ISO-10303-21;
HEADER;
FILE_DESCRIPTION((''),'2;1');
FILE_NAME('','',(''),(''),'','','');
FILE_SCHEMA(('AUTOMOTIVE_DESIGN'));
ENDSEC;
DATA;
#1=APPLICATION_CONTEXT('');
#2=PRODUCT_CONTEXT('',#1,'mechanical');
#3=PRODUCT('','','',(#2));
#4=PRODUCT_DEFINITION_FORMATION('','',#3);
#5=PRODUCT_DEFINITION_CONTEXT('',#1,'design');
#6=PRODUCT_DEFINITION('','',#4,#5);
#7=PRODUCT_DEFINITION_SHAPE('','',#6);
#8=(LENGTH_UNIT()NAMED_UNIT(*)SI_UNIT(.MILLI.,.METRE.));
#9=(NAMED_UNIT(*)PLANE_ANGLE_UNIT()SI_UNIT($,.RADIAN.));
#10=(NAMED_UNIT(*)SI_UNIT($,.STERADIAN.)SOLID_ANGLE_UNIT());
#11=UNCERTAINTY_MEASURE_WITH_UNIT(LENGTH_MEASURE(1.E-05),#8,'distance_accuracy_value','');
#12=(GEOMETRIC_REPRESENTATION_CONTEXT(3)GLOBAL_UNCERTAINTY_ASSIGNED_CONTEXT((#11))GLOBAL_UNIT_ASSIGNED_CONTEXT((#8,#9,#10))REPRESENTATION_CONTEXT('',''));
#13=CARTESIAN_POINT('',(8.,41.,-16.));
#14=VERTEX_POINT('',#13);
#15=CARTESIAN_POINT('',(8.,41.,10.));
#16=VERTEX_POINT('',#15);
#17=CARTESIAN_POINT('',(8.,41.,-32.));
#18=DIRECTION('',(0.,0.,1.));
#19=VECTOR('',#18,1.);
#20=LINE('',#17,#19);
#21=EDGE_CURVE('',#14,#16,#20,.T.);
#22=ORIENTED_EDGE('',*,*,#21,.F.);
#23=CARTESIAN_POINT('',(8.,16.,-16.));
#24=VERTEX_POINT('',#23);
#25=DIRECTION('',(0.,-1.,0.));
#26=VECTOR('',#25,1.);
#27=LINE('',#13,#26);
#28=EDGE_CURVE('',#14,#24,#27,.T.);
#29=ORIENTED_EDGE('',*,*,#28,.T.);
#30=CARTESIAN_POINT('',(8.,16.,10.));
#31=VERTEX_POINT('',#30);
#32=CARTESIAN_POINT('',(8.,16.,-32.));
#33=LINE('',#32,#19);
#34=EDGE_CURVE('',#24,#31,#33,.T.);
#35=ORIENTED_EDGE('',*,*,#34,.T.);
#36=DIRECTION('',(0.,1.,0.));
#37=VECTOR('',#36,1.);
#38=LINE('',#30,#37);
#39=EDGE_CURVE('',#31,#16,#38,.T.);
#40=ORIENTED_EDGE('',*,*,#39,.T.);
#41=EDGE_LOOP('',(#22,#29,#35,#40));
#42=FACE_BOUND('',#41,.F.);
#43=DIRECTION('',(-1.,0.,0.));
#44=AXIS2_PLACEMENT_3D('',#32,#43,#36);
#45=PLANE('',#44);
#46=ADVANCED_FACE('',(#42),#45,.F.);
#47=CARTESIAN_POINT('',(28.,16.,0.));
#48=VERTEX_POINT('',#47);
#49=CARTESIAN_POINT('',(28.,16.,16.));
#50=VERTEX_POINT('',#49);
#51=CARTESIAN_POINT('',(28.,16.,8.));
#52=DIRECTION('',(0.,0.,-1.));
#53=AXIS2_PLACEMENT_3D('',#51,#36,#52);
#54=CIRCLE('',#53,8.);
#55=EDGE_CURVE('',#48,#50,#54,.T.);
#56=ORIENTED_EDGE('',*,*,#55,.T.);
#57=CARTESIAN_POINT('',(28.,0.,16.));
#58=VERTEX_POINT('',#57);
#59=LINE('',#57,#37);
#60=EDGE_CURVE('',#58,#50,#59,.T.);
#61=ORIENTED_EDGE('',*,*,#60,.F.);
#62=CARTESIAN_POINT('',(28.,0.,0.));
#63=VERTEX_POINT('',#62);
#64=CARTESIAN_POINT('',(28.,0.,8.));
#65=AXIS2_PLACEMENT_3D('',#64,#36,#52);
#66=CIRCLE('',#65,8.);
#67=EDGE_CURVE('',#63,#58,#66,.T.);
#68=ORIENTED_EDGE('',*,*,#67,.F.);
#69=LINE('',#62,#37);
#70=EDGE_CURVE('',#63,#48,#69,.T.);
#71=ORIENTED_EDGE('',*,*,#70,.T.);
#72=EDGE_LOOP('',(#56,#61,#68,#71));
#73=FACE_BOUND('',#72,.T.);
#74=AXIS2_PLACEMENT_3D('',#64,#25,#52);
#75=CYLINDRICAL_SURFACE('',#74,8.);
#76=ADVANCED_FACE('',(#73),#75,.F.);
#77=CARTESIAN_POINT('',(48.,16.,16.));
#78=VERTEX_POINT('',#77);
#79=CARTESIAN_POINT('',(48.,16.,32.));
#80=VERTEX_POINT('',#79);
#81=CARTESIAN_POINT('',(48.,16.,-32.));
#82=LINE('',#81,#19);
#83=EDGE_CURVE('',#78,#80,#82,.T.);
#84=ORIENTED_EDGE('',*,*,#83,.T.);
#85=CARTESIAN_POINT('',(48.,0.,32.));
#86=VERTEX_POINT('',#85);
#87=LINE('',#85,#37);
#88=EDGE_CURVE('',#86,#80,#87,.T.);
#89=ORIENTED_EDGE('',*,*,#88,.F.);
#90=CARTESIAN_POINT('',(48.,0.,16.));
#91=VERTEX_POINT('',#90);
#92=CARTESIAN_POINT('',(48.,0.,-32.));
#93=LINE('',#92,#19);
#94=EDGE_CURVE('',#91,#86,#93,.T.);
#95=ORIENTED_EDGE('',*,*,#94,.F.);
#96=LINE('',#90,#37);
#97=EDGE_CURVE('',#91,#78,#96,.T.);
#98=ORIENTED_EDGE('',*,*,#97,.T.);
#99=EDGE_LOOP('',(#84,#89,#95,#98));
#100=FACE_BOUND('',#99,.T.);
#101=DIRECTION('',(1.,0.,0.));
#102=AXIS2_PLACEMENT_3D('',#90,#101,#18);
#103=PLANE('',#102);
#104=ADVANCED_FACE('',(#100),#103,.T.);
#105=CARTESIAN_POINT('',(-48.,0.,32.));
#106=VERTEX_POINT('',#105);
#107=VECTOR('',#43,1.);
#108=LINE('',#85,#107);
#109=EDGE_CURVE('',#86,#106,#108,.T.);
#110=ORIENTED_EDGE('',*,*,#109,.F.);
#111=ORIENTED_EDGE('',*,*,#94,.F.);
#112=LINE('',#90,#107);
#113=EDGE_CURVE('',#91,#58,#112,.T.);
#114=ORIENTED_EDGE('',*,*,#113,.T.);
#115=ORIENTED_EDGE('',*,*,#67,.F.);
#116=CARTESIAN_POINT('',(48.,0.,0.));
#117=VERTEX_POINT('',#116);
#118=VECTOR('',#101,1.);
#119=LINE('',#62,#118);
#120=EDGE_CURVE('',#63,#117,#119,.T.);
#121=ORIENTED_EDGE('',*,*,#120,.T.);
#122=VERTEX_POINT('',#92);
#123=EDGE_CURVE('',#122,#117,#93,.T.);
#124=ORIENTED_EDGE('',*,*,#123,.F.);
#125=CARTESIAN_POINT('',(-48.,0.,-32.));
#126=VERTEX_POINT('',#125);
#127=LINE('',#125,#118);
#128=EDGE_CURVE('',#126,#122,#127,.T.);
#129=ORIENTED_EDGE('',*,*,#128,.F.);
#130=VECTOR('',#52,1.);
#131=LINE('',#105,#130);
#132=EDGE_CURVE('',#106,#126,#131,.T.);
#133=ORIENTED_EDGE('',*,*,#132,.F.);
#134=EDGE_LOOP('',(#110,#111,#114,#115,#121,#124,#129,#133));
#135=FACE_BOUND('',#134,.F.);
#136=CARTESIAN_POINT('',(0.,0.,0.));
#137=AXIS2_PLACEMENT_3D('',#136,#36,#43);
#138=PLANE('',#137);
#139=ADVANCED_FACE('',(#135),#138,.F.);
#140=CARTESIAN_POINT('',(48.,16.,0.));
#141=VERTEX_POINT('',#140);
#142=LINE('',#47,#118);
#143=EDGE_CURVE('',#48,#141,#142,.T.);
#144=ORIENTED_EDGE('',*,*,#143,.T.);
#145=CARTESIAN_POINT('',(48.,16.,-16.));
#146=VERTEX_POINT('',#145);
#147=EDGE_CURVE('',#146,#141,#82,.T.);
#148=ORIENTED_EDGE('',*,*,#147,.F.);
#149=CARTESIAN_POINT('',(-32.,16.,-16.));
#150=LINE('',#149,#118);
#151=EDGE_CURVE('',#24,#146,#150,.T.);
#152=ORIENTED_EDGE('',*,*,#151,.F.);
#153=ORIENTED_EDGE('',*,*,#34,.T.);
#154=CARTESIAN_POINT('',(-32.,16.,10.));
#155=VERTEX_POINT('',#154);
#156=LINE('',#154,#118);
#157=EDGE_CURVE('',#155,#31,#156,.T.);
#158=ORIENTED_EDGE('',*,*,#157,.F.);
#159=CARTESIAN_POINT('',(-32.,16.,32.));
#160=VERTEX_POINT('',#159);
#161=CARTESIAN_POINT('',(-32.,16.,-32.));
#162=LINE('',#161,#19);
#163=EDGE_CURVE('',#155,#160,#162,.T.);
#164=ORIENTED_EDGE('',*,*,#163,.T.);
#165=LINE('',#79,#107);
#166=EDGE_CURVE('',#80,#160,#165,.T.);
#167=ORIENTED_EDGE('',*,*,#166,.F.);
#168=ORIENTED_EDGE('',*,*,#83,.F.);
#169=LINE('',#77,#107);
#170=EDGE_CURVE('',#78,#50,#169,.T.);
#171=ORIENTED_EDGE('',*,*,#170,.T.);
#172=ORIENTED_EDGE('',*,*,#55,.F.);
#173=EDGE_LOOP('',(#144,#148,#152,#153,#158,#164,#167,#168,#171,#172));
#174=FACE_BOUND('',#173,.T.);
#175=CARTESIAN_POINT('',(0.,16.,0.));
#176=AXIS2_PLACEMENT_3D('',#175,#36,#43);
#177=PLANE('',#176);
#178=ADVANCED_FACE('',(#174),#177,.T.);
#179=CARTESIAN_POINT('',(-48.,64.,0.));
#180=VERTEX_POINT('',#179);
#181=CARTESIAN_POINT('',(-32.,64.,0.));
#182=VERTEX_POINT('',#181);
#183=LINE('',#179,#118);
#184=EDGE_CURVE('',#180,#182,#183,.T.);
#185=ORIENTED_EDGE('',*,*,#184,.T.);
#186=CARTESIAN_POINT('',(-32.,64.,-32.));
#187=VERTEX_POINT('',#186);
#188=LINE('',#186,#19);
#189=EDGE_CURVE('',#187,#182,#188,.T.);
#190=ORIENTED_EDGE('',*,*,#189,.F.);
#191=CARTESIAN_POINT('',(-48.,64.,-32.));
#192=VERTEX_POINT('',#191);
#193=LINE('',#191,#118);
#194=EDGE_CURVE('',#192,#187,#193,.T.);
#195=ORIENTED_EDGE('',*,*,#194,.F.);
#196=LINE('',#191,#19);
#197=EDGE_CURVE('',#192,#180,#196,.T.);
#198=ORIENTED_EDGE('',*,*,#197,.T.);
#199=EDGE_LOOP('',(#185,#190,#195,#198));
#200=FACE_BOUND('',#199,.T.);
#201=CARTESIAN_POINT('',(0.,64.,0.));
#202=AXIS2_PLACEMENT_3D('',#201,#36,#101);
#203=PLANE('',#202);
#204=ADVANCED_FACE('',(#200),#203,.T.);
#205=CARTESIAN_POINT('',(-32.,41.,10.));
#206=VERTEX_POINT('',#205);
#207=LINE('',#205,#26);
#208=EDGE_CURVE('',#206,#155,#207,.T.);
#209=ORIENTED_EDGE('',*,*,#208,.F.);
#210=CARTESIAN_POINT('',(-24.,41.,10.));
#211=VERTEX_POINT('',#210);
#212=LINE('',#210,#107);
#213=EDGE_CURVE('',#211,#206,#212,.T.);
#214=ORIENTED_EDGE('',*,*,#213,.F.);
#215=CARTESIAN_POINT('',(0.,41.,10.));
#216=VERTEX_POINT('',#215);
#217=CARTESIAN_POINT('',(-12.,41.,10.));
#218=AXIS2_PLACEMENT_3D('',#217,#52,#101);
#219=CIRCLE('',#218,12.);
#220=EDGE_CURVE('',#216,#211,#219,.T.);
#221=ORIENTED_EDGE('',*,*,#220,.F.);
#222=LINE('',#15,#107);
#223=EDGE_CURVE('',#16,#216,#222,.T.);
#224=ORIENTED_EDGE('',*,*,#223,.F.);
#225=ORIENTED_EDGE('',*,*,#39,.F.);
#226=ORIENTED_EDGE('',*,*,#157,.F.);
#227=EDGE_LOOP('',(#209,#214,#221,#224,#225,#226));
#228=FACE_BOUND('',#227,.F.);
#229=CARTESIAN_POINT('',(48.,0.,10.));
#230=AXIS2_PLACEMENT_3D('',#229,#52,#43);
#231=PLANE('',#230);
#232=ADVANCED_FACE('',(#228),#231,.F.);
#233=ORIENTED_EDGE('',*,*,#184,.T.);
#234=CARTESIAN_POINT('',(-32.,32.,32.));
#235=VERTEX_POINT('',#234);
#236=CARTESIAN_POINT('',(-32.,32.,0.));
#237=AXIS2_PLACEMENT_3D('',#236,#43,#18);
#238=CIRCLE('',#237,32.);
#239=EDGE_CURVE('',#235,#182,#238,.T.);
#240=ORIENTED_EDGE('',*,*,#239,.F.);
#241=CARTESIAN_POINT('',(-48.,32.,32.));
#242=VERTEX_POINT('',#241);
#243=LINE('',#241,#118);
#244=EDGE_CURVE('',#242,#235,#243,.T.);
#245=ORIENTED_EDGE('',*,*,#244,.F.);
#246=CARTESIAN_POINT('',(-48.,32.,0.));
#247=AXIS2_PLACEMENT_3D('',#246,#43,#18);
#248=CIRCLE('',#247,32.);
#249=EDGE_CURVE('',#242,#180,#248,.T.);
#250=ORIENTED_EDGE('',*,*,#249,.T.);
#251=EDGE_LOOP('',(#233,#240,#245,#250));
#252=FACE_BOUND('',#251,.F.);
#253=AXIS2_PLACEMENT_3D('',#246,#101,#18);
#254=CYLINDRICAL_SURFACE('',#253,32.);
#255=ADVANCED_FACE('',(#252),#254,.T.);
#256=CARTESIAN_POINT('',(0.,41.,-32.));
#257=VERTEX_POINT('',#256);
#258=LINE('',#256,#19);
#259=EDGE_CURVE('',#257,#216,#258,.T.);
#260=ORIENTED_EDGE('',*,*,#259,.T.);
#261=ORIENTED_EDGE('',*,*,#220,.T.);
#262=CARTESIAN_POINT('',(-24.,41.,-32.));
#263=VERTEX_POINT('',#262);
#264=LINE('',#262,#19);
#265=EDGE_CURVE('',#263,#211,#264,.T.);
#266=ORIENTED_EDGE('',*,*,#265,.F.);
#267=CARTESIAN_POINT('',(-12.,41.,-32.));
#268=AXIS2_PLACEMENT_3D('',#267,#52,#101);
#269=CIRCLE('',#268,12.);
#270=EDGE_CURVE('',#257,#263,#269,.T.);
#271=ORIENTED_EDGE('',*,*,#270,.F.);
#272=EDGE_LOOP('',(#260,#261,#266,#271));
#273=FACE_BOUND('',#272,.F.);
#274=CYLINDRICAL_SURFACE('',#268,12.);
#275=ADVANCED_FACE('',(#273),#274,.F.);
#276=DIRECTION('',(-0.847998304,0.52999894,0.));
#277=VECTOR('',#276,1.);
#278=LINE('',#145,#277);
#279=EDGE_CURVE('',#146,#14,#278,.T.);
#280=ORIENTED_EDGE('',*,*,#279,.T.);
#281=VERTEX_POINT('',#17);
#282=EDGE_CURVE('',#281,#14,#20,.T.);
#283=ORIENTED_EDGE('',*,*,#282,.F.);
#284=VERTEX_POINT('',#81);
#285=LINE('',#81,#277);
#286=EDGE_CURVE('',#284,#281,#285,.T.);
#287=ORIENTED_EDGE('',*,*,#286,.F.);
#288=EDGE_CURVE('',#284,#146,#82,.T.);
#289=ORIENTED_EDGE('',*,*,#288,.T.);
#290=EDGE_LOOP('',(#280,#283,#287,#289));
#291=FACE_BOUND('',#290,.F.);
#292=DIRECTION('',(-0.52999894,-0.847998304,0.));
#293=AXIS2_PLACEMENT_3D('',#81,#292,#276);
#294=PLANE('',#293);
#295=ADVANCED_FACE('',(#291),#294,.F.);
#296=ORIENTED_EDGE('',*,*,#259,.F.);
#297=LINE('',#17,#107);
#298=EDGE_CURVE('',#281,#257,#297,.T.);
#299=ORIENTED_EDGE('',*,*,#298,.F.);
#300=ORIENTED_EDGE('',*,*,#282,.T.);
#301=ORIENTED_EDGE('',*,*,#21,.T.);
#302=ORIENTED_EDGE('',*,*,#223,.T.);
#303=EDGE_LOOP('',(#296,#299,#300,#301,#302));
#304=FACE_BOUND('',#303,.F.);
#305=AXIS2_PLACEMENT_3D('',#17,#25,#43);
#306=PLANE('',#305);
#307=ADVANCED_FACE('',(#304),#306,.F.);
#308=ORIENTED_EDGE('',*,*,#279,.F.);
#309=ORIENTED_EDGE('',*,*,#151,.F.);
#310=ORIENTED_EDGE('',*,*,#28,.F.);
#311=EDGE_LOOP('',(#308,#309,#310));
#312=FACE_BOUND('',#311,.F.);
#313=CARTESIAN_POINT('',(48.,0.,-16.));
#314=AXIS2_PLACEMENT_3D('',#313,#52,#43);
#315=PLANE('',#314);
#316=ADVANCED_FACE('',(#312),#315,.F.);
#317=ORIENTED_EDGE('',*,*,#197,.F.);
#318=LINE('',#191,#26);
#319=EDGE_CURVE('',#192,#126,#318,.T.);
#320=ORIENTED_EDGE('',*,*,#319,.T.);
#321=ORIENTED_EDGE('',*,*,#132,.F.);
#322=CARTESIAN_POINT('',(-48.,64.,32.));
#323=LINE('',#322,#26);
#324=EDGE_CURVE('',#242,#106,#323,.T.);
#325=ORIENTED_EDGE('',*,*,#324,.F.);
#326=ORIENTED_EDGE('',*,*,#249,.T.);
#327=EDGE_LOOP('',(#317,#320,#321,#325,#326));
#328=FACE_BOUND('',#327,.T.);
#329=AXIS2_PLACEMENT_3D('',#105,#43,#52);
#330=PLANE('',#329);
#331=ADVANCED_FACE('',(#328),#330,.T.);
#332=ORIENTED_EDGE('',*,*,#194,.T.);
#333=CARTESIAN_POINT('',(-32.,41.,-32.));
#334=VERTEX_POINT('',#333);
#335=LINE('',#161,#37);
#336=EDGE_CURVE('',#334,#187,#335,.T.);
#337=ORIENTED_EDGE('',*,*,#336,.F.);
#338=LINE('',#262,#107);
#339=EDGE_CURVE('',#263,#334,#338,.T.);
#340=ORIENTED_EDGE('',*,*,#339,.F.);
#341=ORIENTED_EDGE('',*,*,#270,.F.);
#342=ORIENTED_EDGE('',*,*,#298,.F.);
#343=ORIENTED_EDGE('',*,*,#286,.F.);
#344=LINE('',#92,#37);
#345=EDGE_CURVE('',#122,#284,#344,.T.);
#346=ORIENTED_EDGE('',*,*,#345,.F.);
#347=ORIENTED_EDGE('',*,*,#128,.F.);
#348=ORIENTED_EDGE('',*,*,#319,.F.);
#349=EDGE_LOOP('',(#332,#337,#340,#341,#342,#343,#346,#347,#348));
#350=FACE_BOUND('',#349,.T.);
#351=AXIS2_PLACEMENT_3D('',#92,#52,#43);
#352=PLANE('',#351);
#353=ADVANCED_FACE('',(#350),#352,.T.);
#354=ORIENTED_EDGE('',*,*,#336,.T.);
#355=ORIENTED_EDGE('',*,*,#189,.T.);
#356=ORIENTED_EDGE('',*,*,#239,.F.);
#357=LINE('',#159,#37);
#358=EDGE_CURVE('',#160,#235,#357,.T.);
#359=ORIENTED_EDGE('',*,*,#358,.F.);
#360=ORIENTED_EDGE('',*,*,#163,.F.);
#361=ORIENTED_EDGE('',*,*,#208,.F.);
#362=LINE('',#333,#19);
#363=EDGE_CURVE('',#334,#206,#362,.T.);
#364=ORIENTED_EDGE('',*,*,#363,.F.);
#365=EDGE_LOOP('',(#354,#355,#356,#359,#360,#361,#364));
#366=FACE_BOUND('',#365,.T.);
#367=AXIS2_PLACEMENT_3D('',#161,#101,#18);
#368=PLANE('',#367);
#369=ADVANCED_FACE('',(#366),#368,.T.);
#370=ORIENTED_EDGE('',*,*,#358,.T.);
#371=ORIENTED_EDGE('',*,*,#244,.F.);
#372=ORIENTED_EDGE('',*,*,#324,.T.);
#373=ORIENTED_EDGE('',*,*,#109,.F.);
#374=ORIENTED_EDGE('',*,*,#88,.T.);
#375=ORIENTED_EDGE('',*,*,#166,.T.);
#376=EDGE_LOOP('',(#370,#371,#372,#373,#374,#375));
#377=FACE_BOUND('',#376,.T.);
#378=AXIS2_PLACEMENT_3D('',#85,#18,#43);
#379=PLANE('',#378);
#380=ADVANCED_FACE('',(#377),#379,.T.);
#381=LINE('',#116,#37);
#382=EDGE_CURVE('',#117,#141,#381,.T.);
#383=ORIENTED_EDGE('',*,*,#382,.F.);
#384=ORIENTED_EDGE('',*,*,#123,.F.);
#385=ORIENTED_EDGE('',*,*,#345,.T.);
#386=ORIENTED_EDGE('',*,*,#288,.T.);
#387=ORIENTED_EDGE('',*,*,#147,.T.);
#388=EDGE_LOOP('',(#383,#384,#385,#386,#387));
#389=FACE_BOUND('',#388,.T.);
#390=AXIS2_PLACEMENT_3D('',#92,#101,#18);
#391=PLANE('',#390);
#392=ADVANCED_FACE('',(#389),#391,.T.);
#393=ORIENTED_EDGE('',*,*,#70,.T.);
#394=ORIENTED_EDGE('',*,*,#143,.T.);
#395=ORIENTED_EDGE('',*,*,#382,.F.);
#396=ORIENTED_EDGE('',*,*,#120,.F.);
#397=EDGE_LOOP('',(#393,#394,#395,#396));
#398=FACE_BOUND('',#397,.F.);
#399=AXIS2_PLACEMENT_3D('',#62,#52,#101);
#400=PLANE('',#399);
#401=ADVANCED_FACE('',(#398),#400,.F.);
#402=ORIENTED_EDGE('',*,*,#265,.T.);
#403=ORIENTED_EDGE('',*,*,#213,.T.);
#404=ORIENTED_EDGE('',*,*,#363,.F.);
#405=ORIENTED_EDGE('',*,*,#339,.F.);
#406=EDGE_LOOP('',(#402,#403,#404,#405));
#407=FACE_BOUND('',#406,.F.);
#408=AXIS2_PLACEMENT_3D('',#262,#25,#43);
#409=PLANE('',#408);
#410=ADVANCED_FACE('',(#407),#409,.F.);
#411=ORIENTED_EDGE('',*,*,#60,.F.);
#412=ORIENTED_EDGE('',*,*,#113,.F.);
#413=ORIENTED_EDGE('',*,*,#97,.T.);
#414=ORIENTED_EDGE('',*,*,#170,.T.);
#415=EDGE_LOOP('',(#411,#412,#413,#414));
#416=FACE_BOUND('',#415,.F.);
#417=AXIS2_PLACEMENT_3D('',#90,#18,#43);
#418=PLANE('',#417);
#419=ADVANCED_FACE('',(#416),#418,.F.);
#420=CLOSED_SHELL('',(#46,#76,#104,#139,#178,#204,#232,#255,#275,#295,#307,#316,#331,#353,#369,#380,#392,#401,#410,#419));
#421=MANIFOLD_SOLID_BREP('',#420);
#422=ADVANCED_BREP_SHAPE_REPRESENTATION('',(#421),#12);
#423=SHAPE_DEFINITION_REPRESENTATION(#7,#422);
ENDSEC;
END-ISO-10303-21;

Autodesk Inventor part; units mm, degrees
ref_plane "YZ Plane" through (0, 0, 0) normal (1, 0, 0) x (0, 1, 0)
ref_plane "XZ Plane" through (0, 0, 0) normal (0, 1, 0) x (-1, 0, 0)
ref_plane "XY Plane" through (0, 0, 0) normal (0, 0, 1) x (1, 0, 0)
sketch "Sketch1" plane through (0, 0, 0) normal (0, 1, 0) x (-1, 0, 0)
  line L0 (-48, 32) -> (48, 32)
  line L1 (48, 32) -> (48, -32)
  line L2 (48, -32) -> (-48, -32)
  line L3 (-48, -32) -> (-48, 32)
  line L4 (-48, 32) -> (48, -32) construction
  line L5 (48, 32) -> (-48, -32) construction
  line L6 (-48, 16) -> (-28, 16)
  line L7 (-28, 0) -> (-48, 0)
  arc A0 (-28, 0) -> (-28, 16) centre (-28, 8) ccw
  point P0 (0, 0)
  point P1 (-38, 0)
  dimension "d0" = 96
  dimension "d1" = 64
  dimension "d3" = 16
  dimension "d4" = 16
extrude "Extrusion1" add sketch "Sketch1" along normal blind 16 contours L0 L1 L2 L3 L7 A0 L6
sketch "Sketch2" plane through (0, 16, 0) normal (0, 1, 0) x (1, 0, 0)
  line L0 (-48, 32) -> (-48, -32) projected
  line L1 (-48, -32) -> (48, -32) projected
  line L2 (-48, 32) -> (-32, 32)
  line L3 (-32, 32) -> (-32, -32)
  line L4 (-32, -32) -> (-48, -32)
  line L5 (-48, -32) -> (-48, 32)
  point P0 (0, 0)
  dimension "d8" = 16
extrude "Extrusion2" add sketch "Sketch2" along normal blind 48
fillet "Fillet1" radius 32 1 edges at (-40, 64, 32)
sketch "Sketch3" plane through (48, 0, -32) normal (0, 0, -1) x (-1, 0, 0)
  line L0 (80, 16) -> (0, 16) projected
  line L1 (80, 16) -> (40, 16)
  line L2 (40, 16) -> (40, 41)
  line L3 (80, 41) -> (80, 16)
  arc A0 (48, 41) -> (72, 41) centre (60, 41) ccw
  line L4 (40, 41) -> (48, 41)
  line L5 (72, 41) -> (80, 41)
  point P0 (48, 0)
  dimension "d12" = 40
  dimension "d13" = 25
extrude "Extrusion3" add sketch "Sketch3" against normal blind 42
sketch "Sketch4" plane through (48, 0, -32) normal (0, 0, -1) x (-1, 0, 0)
  line L0 (80, 16) -> (0, 16) projected
  line L1 (40, 41) -> (48, 41) projected
  line L2 (0, 16) -> (40, 41)
  line L3 (40, 16) -> (80, 16) projected
  line L4 (40, 41) -> (40, 16)
  line L5 (40, 16) -> (0, 16)
  point P0 (48, 0)
extrude "Extrusion4" add sketch "Sketch4" against normal blind 16
properties part number "desenho 1"
